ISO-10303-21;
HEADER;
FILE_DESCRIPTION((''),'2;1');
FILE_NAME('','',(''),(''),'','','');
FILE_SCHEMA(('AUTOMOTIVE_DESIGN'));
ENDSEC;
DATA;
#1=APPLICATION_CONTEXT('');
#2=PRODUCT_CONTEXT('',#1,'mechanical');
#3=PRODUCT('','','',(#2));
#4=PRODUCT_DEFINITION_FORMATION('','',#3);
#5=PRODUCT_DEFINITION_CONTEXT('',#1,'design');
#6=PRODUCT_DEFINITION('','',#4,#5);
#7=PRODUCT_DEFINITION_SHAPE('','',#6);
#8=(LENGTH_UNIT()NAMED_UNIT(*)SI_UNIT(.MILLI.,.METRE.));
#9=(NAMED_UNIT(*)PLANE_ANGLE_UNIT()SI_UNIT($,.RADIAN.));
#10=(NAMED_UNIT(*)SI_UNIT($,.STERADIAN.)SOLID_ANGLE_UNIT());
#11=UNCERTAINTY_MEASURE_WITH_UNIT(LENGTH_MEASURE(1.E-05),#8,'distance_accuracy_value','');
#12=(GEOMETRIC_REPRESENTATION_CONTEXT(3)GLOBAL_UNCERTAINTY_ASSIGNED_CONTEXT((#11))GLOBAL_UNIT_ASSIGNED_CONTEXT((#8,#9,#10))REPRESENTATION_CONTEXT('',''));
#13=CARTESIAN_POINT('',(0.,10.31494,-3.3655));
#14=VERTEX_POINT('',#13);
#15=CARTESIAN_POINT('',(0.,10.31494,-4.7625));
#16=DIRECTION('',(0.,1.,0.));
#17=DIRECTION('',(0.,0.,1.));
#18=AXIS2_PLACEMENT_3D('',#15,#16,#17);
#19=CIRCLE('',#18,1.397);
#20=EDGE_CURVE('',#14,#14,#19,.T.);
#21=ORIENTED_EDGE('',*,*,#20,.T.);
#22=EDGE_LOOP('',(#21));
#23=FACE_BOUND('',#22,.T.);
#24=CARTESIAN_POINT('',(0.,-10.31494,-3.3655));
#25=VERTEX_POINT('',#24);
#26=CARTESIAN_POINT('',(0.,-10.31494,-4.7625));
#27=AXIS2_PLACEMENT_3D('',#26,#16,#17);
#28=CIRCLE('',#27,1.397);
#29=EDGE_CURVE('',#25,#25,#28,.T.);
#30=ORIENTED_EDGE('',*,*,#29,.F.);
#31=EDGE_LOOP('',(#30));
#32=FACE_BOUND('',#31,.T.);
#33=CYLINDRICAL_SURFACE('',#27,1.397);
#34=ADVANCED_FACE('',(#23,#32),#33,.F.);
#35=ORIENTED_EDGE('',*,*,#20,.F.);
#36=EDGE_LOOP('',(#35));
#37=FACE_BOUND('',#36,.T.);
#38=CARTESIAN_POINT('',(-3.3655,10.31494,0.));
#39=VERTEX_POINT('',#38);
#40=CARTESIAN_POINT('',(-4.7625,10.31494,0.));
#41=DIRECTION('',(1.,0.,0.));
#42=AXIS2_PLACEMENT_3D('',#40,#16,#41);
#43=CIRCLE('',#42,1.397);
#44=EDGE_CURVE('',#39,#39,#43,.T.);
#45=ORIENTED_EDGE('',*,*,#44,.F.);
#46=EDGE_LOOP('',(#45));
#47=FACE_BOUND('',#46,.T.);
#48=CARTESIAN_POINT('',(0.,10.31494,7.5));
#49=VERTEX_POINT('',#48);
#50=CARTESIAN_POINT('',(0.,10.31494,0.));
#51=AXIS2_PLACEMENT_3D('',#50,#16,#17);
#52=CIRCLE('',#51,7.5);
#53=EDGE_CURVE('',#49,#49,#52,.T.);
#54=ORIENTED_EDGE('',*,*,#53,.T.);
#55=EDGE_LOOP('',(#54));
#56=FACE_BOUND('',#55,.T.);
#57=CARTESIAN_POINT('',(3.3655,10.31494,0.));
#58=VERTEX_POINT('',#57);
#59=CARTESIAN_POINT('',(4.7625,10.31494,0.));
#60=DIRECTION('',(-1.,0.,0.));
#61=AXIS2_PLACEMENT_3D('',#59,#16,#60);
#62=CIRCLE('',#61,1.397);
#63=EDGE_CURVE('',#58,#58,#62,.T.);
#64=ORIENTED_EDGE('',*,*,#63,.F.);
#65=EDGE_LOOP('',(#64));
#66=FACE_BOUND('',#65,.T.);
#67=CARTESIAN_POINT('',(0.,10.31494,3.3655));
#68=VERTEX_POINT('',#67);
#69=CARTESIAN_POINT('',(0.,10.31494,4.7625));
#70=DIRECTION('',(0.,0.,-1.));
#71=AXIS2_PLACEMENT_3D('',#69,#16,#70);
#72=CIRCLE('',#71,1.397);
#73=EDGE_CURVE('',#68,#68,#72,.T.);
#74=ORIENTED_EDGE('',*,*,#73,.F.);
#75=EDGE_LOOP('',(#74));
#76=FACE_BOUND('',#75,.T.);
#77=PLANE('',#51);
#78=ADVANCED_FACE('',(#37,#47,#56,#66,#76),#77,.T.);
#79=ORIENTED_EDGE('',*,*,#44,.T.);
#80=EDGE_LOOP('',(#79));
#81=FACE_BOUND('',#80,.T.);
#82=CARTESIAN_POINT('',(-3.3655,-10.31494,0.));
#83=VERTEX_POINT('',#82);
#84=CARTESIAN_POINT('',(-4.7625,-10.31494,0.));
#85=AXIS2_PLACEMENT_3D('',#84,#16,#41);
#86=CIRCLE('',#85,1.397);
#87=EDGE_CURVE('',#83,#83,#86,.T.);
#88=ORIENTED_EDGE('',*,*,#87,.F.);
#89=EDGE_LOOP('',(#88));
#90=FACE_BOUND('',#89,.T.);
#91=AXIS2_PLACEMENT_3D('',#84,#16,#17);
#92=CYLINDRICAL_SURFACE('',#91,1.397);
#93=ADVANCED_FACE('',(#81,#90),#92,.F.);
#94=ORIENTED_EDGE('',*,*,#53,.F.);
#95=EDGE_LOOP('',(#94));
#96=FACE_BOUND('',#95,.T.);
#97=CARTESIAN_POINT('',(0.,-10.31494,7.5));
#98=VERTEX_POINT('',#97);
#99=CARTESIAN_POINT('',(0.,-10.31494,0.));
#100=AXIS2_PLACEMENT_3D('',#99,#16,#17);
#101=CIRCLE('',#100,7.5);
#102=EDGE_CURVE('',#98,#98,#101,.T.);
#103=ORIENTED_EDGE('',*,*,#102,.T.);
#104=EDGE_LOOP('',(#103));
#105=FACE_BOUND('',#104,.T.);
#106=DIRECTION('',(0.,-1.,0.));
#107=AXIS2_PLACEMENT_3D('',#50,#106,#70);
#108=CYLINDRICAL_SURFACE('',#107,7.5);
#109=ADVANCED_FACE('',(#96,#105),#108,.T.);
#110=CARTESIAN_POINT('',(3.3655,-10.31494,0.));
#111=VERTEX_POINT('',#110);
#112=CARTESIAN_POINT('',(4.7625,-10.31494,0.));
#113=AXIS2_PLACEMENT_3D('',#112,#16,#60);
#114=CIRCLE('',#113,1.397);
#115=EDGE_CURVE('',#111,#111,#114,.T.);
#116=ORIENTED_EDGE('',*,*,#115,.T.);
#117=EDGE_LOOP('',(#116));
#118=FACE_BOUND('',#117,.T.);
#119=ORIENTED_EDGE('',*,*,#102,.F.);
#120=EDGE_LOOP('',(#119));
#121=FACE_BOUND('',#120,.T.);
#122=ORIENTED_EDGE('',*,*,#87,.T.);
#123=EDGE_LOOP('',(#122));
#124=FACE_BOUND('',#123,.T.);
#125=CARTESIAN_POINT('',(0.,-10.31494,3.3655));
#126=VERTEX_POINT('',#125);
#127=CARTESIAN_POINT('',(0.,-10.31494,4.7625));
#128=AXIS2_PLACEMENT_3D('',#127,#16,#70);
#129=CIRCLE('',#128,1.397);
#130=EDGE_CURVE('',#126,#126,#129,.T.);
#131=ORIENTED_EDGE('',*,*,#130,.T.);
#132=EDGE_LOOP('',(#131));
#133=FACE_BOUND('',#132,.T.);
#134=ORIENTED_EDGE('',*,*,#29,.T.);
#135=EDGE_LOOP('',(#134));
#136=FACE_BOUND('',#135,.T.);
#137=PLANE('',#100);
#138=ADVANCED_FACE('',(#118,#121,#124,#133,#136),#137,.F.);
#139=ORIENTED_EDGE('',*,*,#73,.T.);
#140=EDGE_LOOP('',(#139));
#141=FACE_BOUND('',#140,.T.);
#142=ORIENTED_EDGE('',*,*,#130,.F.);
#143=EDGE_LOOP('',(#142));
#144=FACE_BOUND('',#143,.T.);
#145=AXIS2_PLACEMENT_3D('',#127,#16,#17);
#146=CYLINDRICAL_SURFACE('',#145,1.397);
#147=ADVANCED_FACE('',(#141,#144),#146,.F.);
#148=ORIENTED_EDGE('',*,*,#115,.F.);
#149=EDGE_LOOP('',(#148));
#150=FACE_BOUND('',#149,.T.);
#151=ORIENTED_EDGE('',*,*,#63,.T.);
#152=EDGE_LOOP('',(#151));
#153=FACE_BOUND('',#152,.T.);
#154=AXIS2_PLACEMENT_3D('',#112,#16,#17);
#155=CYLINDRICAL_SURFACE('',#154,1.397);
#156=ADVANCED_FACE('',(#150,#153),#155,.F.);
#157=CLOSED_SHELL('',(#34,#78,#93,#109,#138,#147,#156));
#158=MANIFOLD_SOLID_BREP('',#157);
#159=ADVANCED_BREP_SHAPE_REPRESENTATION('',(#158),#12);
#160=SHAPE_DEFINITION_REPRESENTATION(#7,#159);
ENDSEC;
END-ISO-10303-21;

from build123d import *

# Parameters (mm, degrees)
SKETCH2_R           = 7.5
BOSS_EXTRUDE1_DEPTH = 10.31494
SKETCH3_R           = 1.397
CUT_EXTRUDE1_DEPTH  = 15.795201492
CIRPATTERN1_COUNT   = 4


with BuildPart() as part:
    # Sketch2 → Boss-Extrude1 (new, symmetric)
    with BuildSketch(Plane(origin=(0, 0, 0), x_dir=(1, 0, 0), z_dir=(0, 1, 0))):
        Circle(SKETCH2_R)
    extrude(amount=BOSS_EXTRUDE1_DEPTH, both=True)

    # Sketch3 → Cut-Extrude1 (cut, symmetric)
    with BuildSketch(Plane(origin=(0, 0, 0), x_dir=(1, 0, 0), z_dir=(0, 1, 0))):
        with Locations((0, 4.7625)):
            Circle(SKETCH3_R)
    cut_extrude1 = extrude(amount=CUT_EXTRUDE1_DEPTH, both=True, mode=Mode.SUBTRACT)

    # CirPattern1: Cut-Extrude1 ×4 about axis
    cirpattern1_axis = Axis((0, 11.346434, 0), (0, -1, 0))
    for i in range(1, CIRPATTERN1_COUNT):
        add(cut_extrude1.rotate(cirpattern1_axis, i * 360 / CIRPATTERN1_COUNT), mode=Mode.SUBTRACT)


solid = part.part
